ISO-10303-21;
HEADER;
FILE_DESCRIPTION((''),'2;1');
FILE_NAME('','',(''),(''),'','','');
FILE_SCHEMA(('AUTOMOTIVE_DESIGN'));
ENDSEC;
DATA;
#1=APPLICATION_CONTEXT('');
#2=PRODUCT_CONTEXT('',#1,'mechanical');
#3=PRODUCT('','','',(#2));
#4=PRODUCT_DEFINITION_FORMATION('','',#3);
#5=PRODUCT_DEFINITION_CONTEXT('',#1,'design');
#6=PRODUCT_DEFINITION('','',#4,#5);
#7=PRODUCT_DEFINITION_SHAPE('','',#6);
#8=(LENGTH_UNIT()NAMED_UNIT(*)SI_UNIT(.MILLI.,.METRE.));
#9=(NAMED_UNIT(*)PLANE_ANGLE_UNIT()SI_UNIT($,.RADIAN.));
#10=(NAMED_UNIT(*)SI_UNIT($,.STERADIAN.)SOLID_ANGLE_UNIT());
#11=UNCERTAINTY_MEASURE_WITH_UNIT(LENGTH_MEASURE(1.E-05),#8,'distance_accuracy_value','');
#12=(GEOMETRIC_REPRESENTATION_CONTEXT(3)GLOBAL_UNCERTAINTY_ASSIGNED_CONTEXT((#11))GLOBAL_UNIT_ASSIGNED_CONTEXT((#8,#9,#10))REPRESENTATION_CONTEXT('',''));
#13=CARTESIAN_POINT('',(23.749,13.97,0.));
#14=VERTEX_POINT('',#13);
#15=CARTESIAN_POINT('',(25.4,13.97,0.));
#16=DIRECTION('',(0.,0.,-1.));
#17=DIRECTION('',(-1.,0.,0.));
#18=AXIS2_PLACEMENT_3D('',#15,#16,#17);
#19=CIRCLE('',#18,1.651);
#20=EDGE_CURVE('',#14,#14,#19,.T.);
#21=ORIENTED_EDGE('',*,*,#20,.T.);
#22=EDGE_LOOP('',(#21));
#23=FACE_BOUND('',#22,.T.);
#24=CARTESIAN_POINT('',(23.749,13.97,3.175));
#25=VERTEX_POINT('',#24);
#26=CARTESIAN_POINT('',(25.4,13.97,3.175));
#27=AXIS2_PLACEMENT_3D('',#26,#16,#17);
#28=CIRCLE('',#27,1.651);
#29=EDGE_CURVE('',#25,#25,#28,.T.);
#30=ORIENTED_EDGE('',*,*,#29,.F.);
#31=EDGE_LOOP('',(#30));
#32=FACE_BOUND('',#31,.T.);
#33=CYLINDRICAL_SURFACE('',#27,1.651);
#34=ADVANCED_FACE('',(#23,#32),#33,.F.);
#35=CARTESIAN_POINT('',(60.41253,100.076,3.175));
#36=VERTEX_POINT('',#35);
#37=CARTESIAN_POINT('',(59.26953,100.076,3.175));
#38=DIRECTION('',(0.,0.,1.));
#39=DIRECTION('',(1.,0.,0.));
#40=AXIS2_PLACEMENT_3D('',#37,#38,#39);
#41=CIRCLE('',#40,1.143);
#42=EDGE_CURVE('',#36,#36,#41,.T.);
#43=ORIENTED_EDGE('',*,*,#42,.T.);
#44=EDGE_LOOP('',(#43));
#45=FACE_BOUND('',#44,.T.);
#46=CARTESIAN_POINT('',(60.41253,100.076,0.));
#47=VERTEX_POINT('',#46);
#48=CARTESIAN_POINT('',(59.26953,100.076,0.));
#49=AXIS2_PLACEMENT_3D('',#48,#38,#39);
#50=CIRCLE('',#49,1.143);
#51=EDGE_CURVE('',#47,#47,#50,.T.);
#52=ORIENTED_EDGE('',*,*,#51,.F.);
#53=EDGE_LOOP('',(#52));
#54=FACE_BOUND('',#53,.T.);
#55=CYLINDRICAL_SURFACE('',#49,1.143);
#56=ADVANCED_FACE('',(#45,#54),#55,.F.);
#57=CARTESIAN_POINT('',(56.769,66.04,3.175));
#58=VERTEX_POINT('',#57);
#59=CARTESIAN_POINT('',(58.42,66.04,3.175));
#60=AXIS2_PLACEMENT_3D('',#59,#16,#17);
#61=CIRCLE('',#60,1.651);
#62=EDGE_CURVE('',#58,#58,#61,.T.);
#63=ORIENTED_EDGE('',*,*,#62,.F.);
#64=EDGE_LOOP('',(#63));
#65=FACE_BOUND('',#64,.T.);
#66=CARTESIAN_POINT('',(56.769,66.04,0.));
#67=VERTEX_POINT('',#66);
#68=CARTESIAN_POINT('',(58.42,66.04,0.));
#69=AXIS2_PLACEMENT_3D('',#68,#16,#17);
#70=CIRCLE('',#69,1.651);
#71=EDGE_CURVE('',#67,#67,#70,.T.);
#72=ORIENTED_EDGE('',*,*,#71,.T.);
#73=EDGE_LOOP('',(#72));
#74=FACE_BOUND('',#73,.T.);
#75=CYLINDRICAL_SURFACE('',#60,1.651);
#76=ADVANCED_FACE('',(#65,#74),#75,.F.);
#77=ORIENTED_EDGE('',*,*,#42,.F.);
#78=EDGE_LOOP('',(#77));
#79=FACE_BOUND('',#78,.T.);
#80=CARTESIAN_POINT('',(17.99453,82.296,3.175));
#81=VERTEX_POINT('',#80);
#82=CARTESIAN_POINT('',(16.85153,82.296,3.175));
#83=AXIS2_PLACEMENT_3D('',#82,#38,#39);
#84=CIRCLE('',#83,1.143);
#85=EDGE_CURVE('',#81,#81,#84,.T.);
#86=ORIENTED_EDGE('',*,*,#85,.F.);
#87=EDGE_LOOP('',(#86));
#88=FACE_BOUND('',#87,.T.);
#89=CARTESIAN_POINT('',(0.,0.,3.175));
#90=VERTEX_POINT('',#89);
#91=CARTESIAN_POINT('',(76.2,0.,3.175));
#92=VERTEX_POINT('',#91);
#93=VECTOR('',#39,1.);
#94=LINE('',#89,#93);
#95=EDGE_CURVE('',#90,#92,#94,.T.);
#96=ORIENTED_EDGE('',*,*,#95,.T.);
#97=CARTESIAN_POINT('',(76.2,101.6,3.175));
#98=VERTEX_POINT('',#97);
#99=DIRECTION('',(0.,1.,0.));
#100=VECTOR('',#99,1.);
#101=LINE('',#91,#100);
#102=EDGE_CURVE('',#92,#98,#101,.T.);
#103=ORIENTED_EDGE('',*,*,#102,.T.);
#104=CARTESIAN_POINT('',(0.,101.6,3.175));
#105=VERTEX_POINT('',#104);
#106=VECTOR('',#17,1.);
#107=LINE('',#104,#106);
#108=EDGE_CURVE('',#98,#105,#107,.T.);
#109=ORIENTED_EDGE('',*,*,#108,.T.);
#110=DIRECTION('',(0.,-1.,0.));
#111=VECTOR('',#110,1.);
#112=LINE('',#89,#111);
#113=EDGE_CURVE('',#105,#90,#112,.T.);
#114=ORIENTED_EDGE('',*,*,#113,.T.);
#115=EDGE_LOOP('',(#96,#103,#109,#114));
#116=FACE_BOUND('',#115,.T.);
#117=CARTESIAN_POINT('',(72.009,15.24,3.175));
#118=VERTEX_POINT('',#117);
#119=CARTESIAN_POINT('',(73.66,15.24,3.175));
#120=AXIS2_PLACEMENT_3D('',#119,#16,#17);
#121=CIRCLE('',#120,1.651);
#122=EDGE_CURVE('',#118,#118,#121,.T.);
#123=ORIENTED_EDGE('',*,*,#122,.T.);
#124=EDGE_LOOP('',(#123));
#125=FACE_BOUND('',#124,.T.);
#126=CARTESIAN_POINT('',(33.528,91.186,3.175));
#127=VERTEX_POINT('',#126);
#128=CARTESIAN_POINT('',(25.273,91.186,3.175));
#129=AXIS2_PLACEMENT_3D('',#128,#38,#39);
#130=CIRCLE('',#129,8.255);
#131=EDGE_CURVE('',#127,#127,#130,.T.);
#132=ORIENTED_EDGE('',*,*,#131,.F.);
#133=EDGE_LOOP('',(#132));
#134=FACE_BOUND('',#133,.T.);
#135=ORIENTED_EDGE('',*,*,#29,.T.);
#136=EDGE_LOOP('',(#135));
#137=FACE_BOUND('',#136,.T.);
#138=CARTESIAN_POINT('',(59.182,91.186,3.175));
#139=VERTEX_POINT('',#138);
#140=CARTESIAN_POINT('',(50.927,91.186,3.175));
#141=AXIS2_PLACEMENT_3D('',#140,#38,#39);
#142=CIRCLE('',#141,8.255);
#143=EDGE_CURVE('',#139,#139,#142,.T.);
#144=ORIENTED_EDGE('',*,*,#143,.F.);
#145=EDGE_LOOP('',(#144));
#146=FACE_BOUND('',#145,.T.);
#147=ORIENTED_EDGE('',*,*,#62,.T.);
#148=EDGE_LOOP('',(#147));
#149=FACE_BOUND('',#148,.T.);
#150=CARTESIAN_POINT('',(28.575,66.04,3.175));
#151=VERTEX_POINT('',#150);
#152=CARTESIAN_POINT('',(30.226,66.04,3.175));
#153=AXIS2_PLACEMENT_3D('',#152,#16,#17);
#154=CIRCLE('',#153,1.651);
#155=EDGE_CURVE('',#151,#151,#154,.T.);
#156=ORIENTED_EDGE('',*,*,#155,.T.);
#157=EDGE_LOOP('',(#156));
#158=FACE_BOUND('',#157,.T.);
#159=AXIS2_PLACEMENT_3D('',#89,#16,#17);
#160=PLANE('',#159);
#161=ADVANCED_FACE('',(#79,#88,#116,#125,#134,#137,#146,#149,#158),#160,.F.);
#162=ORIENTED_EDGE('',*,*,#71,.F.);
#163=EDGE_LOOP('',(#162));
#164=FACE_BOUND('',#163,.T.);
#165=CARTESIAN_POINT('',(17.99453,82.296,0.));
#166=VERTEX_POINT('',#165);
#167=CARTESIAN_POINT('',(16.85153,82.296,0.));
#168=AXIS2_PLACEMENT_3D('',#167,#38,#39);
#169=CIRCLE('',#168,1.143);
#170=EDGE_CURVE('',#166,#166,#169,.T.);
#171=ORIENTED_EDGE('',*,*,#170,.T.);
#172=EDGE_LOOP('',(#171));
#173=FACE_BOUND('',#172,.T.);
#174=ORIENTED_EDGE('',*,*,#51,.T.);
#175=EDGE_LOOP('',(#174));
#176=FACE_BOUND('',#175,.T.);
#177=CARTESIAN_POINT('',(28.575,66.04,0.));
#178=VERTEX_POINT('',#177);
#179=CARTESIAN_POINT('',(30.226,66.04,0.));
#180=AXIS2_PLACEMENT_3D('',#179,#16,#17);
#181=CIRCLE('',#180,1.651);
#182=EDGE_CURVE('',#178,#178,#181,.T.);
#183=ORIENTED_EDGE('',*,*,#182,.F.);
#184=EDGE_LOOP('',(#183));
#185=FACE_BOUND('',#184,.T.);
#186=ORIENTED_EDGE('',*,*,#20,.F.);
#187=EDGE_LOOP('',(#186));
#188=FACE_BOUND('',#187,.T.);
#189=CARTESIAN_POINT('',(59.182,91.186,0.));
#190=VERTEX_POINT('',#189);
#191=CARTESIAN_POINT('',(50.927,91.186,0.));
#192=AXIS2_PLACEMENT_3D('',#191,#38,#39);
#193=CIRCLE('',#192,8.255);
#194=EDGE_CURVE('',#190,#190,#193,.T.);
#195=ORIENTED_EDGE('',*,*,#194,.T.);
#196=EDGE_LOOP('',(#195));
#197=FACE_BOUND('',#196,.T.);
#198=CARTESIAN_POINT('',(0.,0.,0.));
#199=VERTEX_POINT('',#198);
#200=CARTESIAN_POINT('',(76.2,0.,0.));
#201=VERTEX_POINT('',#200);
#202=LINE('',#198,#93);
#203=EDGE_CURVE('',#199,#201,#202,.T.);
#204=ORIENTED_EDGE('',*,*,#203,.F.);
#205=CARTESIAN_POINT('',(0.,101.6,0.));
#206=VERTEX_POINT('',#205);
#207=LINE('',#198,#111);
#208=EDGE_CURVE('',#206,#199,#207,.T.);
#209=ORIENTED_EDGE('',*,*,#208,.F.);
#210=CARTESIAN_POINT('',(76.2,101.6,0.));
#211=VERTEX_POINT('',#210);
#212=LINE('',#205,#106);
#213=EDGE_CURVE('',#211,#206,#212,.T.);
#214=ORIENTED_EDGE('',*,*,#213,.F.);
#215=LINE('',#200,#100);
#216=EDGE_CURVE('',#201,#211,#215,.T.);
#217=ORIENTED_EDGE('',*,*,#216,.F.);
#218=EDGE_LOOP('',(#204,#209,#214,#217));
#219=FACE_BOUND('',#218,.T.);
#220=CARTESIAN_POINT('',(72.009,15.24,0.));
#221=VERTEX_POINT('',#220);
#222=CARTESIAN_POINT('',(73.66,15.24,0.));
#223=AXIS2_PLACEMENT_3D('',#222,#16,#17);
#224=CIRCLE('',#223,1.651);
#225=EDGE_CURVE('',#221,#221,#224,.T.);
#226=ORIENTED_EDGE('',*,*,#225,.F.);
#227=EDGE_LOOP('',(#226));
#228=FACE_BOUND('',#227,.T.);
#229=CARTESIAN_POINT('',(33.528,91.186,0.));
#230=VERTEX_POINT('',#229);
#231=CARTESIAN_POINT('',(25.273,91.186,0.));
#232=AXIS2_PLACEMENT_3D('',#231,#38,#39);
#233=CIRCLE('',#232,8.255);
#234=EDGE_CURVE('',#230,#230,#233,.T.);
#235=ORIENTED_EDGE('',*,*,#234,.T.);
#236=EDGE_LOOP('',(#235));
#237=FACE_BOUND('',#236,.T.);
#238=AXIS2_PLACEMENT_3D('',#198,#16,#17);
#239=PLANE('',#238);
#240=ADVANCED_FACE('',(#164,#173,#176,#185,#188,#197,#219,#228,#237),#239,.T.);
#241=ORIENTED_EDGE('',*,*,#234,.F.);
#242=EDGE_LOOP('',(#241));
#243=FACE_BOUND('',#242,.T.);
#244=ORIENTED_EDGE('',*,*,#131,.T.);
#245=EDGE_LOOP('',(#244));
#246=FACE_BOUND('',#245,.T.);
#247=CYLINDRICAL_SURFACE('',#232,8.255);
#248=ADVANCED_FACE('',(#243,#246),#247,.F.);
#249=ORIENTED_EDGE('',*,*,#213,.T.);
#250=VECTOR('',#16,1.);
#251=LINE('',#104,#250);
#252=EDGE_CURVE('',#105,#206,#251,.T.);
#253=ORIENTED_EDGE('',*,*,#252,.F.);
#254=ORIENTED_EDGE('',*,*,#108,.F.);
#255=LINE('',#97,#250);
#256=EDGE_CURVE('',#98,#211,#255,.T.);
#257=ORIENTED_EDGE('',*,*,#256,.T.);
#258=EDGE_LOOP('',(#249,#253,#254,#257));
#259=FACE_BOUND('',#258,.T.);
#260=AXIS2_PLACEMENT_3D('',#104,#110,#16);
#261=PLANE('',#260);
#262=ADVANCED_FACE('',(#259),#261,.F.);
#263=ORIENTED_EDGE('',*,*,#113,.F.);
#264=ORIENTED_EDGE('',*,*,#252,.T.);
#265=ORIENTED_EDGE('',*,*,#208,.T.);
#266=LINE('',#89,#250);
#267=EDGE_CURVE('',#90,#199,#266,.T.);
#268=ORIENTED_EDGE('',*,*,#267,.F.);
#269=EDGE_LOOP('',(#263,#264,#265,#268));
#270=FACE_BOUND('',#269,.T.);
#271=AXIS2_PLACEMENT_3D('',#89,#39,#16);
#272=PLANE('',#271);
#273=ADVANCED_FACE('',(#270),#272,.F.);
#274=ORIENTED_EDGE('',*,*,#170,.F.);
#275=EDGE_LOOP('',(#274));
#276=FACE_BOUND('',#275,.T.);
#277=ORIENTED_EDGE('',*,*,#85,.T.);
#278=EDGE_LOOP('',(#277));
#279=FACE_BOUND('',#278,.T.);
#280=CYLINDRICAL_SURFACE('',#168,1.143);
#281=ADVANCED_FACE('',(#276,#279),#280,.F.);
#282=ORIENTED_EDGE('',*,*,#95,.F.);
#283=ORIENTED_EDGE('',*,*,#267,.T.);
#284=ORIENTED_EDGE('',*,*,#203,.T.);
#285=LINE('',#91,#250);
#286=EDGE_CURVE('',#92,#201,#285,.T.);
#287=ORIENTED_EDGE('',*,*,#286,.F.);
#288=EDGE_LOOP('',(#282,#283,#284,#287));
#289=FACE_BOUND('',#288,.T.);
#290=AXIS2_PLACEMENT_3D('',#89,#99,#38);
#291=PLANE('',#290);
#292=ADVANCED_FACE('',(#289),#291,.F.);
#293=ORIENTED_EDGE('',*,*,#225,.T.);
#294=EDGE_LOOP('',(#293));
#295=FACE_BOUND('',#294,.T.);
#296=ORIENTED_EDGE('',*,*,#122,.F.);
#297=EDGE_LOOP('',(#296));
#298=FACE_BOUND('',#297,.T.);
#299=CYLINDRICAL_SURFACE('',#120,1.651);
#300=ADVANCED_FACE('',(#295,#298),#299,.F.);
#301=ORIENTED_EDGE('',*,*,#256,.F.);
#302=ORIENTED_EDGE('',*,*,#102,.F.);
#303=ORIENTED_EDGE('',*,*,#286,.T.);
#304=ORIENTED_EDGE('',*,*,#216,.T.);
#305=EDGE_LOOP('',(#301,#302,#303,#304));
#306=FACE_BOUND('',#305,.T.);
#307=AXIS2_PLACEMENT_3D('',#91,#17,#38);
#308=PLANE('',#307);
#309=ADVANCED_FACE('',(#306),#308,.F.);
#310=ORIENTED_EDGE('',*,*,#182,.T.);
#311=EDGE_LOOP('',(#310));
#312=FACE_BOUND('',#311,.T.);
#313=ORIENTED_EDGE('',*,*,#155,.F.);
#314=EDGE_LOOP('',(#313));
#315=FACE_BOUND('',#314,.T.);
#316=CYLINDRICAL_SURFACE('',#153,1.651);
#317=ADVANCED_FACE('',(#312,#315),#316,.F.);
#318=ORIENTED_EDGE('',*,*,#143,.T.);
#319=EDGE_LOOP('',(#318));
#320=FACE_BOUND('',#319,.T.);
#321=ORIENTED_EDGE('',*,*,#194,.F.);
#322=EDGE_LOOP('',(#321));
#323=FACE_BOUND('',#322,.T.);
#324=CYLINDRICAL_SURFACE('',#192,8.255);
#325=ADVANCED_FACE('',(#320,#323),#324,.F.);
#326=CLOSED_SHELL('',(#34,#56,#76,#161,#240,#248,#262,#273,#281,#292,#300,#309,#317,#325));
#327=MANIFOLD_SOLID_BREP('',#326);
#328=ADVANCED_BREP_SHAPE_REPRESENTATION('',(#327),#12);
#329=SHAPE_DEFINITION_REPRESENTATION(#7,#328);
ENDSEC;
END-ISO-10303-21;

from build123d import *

# Parameters (mm, degrees)
SKETCH2_W           = 76.2
SKETCH2_H           = 101.6
BOSS_EXTRUDE1_DEPTH = 3.175
SKETCH3_R           = 8.255
SKETCH3_R_2         = 1.143
CUT_EXTRUDE1_DEPTH  = 3.175
SKETCH6_R           = 1.651
CUT_EXTRUDE2_DEPTH  = 3.175


with BuildPart() as part:
    # Sketch2 → Boss-Extrude1 (new body)
    with BuildSketch(Plane.XY):
        with Locations((38.1, 50.8)):
            Rectangle(SKETCH2_W, SKETCH2_H)
    extrude(amount=BOSS_EXTRUDE1_DEPTH)

    # Sketch3 → Cut-Extrude1 (cut)
    with BuildSketch(Plane.XY.offset(3.175)):
        with Locations((25.273, 91.186)):
            Circle(SKETCH3_R)
        with Locations((50.927, 91.186)):
            Circle(SKETCH3_R)
        with Locations((59.269530294, 100.076)):
            Circle(SKETCH3_R_2)
        with Locations((16.851530294, 82.296)):
            Circle(SKETCH3_R_2)
    extrude(amount=-CUT_EXTRUDE1_DEPTH, mode=Mode.SUBTRACT)

    # Sketch6 → Cut-Extrude2 (cut)
    with BuildSketch(Plane(origin=(0, 0, 0), x_dir=(-1, 0, 0), z_dir=(0, 0, -1))):
        with Locations((-73.66, 15.24)):
            Circle(SKETCH6_R)
        with Locations((-25.4, 13.97)):
            Circle(SKETCH6_R)
        with Locations((-30.226, 66.04)):
            Circle(SKETCH6_R)
        with Locations((-58.42, 66.04)):
            Circle(SKETCH6_R)
    extrude(amount=-CUT_EXTRUDE2_DEPTH, mode=Mode.SUBTRACT)


solid = part.part
